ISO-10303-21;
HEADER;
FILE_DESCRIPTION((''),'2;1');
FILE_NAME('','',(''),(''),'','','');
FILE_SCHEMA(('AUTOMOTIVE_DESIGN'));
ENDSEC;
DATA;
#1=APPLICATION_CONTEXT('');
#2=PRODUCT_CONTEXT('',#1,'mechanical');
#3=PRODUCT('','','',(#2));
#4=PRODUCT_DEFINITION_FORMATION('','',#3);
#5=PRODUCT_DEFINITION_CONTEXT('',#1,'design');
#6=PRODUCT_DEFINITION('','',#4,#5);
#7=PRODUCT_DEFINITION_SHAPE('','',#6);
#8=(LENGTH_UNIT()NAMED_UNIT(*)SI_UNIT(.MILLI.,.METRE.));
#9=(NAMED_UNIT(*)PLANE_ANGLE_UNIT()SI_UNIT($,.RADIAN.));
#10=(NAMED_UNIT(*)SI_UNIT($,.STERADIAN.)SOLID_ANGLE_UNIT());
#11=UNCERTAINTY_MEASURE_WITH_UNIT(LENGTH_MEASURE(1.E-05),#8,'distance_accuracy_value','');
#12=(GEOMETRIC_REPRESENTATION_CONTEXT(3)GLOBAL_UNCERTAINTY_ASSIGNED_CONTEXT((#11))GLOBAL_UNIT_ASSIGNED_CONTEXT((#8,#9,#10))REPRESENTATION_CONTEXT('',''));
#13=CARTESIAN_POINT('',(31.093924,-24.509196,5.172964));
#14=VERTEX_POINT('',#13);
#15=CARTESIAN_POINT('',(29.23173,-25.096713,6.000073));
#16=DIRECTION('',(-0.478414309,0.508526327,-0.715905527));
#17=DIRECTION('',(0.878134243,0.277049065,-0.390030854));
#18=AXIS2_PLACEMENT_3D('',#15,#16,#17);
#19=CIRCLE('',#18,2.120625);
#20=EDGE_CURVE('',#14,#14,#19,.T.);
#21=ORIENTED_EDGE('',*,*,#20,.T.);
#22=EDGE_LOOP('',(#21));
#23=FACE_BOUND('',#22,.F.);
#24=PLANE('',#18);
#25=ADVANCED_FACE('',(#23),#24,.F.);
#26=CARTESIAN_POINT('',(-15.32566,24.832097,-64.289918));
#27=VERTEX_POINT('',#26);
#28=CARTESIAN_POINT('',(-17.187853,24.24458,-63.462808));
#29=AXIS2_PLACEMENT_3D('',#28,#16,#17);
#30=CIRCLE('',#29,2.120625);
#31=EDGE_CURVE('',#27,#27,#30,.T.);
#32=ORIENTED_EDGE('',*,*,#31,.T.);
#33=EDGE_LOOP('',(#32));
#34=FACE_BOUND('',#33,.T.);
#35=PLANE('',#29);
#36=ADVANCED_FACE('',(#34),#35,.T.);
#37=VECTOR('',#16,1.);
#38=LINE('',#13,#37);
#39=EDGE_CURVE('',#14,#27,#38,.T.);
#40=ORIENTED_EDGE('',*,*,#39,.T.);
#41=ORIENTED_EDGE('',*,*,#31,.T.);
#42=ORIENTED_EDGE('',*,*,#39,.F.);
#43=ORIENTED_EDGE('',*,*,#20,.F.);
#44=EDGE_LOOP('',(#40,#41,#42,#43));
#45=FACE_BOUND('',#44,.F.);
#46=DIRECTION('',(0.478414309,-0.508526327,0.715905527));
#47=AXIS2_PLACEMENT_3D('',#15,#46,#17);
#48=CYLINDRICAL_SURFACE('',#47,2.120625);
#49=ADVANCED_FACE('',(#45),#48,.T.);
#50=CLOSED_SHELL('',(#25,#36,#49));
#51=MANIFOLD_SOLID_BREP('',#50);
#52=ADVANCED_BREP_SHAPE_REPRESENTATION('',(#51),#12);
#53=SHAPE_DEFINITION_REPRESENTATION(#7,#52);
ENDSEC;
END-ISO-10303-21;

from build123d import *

# Parameters (mm, degrees)
F6_R     = 2.1206253415
F7_DEPTH = 97.028


with BuildPart() as f7:
    # F6 (on face) → F7 (new body)
    with BuildSketch(Plane(origin=(14.8512732095, -15.7860316103, 22.2236424909), x_dir=(0.8781342429, 0.2770490655, -0.3900308536), z_dir=(-0.4784143094, 0.5085263266, -0.7159055271))):
        with Locations((16.3761489093, 16.985649243)):
            Circle(F6_R)
    extrude(amount=F7_DEPTH)


solid = f7.part
